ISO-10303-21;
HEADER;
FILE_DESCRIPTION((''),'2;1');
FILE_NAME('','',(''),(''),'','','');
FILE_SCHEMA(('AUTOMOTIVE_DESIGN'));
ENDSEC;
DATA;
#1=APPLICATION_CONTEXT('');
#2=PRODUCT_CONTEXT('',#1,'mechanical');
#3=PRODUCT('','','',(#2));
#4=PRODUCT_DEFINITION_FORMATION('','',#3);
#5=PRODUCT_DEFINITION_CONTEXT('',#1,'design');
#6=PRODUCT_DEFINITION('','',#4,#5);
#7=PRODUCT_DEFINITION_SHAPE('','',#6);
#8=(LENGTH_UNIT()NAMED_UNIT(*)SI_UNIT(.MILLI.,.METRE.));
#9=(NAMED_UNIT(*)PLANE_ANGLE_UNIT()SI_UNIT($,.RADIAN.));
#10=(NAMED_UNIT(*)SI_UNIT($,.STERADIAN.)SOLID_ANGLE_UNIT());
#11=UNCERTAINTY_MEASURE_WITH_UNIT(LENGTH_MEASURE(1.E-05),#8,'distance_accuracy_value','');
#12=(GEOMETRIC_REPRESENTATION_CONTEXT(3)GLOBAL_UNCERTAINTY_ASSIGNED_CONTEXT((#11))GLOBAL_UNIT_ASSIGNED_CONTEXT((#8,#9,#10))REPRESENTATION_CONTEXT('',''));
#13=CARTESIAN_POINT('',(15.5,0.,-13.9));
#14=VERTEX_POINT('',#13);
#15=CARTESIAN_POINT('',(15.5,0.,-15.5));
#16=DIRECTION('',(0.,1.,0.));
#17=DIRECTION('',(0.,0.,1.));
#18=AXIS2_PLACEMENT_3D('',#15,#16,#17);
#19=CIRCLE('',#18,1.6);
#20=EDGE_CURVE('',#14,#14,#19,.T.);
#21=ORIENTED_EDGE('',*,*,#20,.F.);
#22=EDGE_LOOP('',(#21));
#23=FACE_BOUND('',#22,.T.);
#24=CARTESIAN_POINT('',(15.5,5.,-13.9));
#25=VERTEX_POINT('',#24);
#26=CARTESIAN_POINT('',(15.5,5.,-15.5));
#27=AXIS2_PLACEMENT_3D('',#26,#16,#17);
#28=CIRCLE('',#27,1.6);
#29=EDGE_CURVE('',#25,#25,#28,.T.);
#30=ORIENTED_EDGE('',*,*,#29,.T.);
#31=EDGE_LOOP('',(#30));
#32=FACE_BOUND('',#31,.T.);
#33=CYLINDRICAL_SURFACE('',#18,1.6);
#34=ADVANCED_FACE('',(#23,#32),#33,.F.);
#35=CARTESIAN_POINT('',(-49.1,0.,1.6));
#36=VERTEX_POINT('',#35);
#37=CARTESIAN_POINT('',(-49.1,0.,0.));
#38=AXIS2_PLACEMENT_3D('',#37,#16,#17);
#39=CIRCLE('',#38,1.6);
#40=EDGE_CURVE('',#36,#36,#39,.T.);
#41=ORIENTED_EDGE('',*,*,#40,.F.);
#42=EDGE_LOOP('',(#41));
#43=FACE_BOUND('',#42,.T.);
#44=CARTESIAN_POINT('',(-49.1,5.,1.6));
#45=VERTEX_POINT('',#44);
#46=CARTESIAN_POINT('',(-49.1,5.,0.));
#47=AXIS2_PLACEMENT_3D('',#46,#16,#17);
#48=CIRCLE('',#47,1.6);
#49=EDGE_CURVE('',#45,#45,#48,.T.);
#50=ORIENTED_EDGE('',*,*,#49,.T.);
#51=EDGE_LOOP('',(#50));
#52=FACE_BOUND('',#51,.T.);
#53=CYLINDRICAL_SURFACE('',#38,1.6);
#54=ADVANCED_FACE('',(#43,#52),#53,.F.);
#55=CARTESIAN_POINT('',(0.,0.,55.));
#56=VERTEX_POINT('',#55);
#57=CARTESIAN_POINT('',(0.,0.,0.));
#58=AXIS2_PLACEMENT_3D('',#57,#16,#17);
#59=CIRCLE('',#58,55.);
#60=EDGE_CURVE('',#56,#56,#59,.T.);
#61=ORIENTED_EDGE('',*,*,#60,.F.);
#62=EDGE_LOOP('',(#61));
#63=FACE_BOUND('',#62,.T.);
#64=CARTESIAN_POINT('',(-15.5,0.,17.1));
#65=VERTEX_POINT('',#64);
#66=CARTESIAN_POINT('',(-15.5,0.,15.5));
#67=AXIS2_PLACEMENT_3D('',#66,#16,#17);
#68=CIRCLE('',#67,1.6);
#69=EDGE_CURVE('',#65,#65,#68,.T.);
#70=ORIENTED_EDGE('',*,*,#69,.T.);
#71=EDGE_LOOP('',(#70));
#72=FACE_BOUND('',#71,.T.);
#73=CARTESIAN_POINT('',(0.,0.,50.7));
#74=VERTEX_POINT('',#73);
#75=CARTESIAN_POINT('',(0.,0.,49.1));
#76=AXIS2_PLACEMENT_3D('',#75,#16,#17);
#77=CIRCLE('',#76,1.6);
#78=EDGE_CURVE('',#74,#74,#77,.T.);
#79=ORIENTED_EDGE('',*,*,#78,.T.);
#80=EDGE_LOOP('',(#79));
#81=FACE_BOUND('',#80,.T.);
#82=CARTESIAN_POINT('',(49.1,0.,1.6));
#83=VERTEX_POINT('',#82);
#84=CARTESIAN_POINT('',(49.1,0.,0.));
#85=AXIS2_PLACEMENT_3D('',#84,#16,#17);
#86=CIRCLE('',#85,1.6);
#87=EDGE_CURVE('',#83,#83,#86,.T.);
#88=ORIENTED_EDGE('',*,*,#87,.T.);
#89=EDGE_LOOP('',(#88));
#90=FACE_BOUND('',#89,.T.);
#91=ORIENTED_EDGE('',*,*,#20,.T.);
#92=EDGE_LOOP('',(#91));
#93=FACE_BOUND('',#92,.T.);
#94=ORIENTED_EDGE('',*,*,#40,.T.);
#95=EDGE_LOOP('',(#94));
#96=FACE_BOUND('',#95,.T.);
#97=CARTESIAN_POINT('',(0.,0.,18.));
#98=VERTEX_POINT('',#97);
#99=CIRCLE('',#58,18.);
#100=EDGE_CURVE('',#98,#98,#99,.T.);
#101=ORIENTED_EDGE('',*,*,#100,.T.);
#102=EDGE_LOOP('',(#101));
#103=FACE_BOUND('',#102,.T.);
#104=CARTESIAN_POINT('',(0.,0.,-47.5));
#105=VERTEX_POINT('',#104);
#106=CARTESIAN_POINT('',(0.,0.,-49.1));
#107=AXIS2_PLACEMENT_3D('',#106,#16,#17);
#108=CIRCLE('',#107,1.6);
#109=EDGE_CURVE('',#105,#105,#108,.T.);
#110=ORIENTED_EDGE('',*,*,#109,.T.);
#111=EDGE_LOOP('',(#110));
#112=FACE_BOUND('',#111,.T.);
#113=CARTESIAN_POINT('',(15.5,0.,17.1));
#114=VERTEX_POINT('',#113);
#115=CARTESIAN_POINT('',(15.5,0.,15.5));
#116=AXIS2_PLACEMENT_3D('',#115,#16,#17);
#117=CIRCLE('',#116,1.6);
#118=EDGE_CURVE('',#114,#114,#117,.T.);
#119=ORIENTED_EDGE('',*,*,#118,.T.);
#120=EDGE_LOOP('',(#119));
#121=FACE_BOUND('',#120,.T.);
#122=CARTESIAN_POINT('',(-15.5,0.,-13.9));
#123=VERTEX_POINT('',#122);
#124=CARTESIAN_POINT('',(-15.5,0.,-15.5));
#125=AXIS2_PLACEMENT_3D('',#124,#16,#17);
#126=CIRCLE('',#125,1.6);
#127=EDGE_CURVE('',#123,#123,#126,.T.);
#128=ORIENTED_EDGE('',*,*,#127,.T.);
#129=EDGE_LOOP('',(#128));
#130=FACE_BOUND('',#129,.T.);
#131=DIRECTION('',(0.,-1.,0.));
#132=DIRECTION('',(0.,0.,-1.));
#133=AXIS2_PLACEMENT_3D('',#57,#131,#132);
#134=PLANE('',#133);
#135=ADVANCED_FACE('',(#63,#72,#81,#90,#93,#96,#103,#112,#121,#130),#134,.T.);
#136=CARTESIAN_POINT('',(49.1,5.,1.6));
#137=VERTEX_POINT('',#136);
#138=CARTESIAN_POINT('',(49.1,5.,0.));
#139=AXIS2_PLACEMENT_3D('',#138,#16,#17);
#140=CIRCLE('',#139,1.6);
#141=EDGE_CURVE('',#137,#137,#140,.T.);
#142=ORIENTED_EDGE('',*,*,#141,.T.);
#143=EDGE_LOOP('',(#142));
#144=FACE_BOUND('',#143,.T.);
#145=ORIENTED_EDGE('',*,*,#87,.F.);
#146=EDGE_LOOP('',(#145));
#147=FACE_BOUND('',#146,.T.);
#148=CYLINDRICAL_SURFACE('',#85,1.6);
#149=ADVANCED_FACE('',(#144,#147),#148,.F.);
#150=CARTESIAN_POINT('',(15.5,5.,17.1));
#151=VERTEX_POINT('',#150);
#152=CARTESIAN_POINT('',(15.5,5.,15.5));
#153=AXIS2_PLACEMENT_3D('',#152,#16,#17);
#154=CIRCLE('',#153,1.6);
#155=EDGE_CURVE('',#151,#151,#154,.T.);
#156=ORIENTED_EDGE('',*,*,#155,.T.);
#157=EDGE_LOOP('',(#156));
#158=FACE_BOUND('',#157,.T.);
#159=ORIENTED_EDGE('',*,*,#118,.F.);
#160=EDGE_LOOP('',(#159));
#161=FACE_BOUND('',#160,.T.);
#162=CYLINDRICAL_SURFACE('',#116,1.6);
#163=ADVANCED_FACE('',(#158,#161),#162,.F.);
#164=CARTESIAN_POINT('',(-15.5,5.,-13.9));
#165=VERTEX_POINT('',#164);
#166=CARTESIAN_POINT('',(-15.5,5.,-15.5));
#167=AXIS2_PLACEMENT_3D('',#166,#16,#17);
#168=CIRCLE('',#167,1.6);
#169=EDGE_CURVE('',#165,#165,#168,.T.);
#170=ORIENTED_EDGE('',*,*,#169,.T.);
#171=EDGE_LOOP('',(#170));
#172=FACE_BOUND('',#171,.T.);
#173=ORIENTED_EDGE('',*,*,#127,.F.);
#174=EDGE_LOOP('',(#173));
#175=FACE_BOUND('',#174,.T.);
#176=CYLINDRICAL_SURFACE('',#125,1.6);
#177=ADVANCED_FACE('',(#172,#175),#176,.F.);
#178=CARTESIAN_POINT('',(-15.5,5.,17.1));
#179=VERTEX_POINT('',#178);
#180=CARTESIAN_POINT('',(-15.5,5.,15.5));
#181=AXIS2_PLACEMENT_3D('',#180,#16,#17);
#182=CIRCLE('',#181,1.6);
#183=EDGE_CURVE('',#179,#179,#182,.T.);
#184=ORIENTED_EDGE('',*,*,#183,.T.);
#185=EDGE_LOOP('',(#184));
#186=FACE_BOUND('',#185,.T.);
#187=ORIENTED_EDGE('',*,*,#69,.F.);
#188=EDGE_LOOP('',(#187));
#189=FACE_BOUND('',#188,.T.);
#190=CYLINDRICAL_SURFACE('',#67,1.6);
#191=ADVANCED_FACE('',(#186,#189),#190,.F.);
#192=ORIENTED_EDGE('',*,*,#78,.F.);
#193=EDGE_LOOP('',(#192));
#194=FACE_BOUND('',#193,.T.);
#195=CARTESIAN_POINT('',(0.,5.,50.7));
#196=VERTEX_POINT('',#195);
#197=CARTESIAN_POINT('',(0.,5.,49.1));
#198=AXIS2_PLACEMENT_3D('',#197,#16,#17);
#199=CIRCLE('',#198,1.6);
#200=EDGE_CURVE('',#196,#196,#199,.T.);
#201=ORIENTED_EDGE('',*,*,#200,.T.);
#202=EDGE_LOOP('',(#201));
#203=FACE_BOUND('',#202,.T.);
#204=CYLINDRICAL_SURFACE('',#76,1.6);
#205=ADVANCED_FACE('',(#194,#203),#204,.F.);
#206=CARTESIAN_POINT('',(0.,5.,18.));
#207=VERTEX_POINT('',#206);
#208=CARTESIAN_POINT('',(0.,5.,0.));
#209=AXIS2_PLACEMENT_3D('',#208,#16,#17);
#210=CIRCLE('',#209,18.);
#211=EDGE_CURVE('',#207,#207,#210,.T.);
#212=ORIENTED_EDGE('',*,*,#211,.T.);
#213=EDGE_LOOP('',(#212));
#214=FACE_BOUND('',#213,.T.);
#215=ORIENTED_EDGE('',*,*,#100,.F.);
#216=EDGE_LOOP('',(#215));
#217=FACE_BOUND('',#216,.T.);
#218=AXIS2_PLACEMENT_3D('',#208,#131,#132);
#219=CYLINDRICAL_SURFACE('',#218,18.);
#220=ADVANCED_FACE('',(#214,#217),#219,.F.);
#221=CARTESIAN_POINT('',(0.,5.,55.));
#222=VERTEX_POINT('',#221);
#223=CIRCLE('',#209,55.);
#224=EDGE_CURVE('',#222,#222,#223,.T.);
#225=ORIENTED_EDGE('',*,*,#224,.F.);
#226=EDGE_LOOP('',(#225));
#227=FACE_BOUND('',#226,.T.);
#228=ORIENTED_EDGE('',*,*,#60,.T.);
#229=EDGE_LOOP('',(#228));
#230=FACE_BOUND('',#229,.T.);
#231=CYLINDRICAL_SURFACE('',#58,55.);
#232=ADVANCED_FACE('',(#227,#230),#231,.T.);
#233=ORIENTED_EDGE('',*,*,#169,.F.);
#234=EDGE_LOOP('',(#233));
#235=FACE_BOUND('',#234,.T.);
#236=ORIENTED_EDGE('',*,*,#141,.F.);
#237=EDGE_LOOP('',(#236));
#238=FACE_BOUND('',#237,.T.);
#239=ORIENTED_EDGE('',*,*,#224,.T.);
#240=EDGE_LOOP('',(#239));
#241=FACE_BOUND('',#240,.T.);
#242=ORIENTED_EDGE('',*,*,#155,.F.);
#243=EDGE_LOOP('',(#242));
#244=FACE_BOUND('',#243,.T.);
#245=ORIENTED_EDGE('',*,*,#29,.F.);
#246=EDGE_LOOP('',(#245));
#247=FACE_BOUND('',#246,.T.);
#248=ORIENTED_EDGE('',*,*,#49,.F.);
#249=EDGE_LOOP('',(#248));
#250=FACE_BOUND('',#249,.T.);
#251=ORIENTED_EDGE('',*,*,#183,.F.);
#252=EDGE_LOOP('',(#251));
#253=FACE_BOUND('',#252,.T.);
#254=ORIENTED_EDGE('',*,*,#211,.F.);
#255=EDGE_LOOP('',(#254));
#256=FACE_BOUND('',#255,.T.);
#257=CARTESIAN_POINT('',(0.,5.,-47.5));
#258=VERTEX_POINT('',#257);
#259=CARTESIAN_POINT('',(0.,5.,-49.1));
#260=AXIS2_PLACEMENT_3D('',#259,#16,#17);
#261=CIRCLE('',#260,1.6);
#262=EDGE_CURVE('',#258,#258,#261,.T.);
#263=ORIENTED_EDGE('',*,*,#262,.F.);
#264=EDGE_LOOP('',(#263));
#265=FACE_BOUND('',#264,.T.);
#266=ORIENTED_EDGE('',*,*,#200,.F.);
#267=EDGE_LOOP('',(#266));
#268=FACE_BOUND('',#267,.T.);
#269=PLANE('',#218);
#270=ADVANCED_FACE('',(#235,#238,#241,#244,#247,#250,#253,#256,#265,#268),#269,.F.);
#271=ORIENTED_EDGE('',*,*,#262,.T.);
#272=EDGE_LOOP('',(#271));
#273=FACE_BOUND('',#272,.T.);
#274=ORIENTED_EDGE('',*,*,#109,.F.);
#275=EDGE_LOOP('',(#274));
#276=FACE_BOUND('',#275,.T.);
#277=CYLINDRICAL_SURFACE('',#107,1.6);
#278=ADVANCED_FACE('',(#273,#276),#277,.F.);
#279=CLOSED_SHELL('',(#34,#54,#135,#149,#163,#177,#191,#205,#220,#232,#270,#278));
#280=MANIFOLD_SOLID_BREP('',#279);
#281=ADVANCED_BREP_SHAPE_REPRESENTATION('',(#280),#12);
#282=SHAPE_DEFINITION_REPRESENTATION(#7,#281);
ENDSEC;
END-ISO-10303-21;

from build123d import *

# Parameters (mm, degrees)
SKETCH_2_W          = 46
SKETCH_2_H          = 46
SKETCH_2_R          = 18
EXTRUDE_1_DEPTH     = 5
FILLET_1_R          = 5.5
SKETCH_3_R          = 1.6
CUT_EXTRUDE_1_DEPTH = 33.908965344
SKETCH_4_R          = 55
SKETCH_4_R_2        = 1.6
SKETCH_4_R_3        = 18
EXTRUDE_2_DEPTH     = 5


with BuildPart() as part:
    # 草图2 → 凸台-拉伸1 (new body)
    with BuildSketch(Plane(origin=(0, 0, 0), x_dir=(1, 0, 0), z_dir=(0, 1, 0))):
        Rectangle(SKETCH_2_W, SKETCH_2_H)
        with Locations(Location((0, 0, 0), (0, 0, 270))):
            Circle(SKETCH_2_R, mode=Mode.SUBTRACT)
    extrude(amount=EXTRUDE_1_DEPTH)

    # 圆角1
    fillet_1_edges = [part.edges().sort_by_distance(p)[0] for p in [
        (23, 2.5, 23),
        (-23, 2.5, 23),
        (-23, 2.5, -23),
        (23, 2.5, -23),
    ]]
    fillet(fillet_1_edges, radius=FILLET_1_R)

    # 草图3 → 切除-拉伸1 (cut, through all)
    with BuildSketch(Plane(origin=(0, 5, 0), x_dir=(1, 0, 0), z_dir=(0, 1, 0))):
        with Locations(Location((-15.5, 15.5, 0), (0, 0, 270))):
            Circle(SKETCH_3_R)
        with Locations(Location((15.5, 15.5, 0), (0, 0, 270))):
            Circle(SKETCH_3_R)
        with Locations(Location((-15.5, -15.5, 0), (0, 0, 270))):
            Circle(SKETCH_3_R)
        with Locations(Location((15.5, -15.5, 0), (0, 0, 270))):
            Circle(SKETCH_3_R)
    extrude(amount=-CUT_EXTRUDE_1_DEPTH, mode=Mode.SUBTRACT)

    # 草图4 → 凸台-拉伸2 (add)
    # profile 1 of 2: a face of its own
    with BuildSketch(Plane(origin=(0, 5, 0), x_dir=(1, 0, 0), z_dir=(0, 1, 0))):
        with Locations(Location((0, 0, 0), (0, 0, 270))):
            Circle(SKETCH_4_R)
        with Locations(Location((-49.1, 0, 0), (0, 0, 270))):
            Circle(SKETCH_4_R_2, mode=Mode.SUBTRACT)
        with Locations(Location((0, -49.1, 0), (0, 0, 270))):
            Circle(SKETCH_4_R_2, mode=Mode.SUBTRACT)
        with Locations(Location((49.1, 0, 0), (0, 0, 270))):
            Circle(SKETCH_4_R_2, mode=Mode.SUBTRACT)
        with Locations(Location((0, 49.1, 0), (0, 0, 270))):
            Circle(SKETCH_4_R_2, mode=Mode.SUBTRACT)
        with BuildLine():
            Line((-17.5, -23), (17.5, -23))
            ThreePointArc((17.5, -23), (21.389087297, -21.389087297), (23, -17.5))
            Line((23, -17.5), (23, 17.5))
            ThreePointArc((23, 17.5), (21.389087297, 21.389087297), (17.5, 23))
            Line((17.5, 23), (-17.5, 23))
            ThreePointArc((-17.5, 23), (-21.389087297, 21.389087297), (-23, 17.5))
            Line((-23, 17.5), (-23, -17.5))
            ThreePointArc((-23, -17.5), (-21.389087297, -21.389087297), (-17.5, -23))
        make_face(mode=Mode.SUBTRACT)
    # profile 2 of 2: a face of its own
    with BuildSketch(Plane(origin=(0, 5, 0), x_dir=(1, 0, 0), z_dir=(0, 1, 0))):
        with BuildLine():
            ThreePointArc((-23, -17.5), (-21.389087297, -21.389087297), (-17.5, -23))
            Line((-17.5, -23), (17.5, -23))
            ThreePointArc((17.5, -23), (21.389087297, -21.389087297), (23, -17.5))
            Line((23, -17.5), (23, 17.5))
            ThreePointArc((23, 17.5), (21.389087297, 21.389087297), (17.5, 23))
            Line((17.5, 23), (-17.5, 23))
            ThreePointArc((-17.5, 23), (-21.389087297, 21.389087297), (-23, 17.5))
            Line((-23, 17.5), (-23, -17.5))
        make_face()
        with Locations(Location((15.5, 15.5, 0), (0, 0, 270))):
            Circle(SKETCH_4_R_2, mode=Mode.SUBTRACT)
        with Locations(Location((-15.5, -15.5, 0), (0, 0, 270))):
            Circle(SKETCH_4_R_2, mode=Mode.SUBTRACT)
        with Locations(Location((0, 0, 0), (0, 0, 270))):
            Circle(SKETCH_4_R_3, mode=Mode.SUBTRACT)
        with Locations(Location((-15.5, 15.5, 0), (0, 0, 270))):
            Circle(SKETCH_4_R_2, mode=Mode.SUBTRACT)
        with Locations(Location((15.5, -15.5, 0), (0, 0, 270))):
            Circle(SKETCH_4_R_2, mode=Mode.SUBTRACT)
    extrude(amount=-EXTRUDE_2_DEPTH)


solid = part.part
